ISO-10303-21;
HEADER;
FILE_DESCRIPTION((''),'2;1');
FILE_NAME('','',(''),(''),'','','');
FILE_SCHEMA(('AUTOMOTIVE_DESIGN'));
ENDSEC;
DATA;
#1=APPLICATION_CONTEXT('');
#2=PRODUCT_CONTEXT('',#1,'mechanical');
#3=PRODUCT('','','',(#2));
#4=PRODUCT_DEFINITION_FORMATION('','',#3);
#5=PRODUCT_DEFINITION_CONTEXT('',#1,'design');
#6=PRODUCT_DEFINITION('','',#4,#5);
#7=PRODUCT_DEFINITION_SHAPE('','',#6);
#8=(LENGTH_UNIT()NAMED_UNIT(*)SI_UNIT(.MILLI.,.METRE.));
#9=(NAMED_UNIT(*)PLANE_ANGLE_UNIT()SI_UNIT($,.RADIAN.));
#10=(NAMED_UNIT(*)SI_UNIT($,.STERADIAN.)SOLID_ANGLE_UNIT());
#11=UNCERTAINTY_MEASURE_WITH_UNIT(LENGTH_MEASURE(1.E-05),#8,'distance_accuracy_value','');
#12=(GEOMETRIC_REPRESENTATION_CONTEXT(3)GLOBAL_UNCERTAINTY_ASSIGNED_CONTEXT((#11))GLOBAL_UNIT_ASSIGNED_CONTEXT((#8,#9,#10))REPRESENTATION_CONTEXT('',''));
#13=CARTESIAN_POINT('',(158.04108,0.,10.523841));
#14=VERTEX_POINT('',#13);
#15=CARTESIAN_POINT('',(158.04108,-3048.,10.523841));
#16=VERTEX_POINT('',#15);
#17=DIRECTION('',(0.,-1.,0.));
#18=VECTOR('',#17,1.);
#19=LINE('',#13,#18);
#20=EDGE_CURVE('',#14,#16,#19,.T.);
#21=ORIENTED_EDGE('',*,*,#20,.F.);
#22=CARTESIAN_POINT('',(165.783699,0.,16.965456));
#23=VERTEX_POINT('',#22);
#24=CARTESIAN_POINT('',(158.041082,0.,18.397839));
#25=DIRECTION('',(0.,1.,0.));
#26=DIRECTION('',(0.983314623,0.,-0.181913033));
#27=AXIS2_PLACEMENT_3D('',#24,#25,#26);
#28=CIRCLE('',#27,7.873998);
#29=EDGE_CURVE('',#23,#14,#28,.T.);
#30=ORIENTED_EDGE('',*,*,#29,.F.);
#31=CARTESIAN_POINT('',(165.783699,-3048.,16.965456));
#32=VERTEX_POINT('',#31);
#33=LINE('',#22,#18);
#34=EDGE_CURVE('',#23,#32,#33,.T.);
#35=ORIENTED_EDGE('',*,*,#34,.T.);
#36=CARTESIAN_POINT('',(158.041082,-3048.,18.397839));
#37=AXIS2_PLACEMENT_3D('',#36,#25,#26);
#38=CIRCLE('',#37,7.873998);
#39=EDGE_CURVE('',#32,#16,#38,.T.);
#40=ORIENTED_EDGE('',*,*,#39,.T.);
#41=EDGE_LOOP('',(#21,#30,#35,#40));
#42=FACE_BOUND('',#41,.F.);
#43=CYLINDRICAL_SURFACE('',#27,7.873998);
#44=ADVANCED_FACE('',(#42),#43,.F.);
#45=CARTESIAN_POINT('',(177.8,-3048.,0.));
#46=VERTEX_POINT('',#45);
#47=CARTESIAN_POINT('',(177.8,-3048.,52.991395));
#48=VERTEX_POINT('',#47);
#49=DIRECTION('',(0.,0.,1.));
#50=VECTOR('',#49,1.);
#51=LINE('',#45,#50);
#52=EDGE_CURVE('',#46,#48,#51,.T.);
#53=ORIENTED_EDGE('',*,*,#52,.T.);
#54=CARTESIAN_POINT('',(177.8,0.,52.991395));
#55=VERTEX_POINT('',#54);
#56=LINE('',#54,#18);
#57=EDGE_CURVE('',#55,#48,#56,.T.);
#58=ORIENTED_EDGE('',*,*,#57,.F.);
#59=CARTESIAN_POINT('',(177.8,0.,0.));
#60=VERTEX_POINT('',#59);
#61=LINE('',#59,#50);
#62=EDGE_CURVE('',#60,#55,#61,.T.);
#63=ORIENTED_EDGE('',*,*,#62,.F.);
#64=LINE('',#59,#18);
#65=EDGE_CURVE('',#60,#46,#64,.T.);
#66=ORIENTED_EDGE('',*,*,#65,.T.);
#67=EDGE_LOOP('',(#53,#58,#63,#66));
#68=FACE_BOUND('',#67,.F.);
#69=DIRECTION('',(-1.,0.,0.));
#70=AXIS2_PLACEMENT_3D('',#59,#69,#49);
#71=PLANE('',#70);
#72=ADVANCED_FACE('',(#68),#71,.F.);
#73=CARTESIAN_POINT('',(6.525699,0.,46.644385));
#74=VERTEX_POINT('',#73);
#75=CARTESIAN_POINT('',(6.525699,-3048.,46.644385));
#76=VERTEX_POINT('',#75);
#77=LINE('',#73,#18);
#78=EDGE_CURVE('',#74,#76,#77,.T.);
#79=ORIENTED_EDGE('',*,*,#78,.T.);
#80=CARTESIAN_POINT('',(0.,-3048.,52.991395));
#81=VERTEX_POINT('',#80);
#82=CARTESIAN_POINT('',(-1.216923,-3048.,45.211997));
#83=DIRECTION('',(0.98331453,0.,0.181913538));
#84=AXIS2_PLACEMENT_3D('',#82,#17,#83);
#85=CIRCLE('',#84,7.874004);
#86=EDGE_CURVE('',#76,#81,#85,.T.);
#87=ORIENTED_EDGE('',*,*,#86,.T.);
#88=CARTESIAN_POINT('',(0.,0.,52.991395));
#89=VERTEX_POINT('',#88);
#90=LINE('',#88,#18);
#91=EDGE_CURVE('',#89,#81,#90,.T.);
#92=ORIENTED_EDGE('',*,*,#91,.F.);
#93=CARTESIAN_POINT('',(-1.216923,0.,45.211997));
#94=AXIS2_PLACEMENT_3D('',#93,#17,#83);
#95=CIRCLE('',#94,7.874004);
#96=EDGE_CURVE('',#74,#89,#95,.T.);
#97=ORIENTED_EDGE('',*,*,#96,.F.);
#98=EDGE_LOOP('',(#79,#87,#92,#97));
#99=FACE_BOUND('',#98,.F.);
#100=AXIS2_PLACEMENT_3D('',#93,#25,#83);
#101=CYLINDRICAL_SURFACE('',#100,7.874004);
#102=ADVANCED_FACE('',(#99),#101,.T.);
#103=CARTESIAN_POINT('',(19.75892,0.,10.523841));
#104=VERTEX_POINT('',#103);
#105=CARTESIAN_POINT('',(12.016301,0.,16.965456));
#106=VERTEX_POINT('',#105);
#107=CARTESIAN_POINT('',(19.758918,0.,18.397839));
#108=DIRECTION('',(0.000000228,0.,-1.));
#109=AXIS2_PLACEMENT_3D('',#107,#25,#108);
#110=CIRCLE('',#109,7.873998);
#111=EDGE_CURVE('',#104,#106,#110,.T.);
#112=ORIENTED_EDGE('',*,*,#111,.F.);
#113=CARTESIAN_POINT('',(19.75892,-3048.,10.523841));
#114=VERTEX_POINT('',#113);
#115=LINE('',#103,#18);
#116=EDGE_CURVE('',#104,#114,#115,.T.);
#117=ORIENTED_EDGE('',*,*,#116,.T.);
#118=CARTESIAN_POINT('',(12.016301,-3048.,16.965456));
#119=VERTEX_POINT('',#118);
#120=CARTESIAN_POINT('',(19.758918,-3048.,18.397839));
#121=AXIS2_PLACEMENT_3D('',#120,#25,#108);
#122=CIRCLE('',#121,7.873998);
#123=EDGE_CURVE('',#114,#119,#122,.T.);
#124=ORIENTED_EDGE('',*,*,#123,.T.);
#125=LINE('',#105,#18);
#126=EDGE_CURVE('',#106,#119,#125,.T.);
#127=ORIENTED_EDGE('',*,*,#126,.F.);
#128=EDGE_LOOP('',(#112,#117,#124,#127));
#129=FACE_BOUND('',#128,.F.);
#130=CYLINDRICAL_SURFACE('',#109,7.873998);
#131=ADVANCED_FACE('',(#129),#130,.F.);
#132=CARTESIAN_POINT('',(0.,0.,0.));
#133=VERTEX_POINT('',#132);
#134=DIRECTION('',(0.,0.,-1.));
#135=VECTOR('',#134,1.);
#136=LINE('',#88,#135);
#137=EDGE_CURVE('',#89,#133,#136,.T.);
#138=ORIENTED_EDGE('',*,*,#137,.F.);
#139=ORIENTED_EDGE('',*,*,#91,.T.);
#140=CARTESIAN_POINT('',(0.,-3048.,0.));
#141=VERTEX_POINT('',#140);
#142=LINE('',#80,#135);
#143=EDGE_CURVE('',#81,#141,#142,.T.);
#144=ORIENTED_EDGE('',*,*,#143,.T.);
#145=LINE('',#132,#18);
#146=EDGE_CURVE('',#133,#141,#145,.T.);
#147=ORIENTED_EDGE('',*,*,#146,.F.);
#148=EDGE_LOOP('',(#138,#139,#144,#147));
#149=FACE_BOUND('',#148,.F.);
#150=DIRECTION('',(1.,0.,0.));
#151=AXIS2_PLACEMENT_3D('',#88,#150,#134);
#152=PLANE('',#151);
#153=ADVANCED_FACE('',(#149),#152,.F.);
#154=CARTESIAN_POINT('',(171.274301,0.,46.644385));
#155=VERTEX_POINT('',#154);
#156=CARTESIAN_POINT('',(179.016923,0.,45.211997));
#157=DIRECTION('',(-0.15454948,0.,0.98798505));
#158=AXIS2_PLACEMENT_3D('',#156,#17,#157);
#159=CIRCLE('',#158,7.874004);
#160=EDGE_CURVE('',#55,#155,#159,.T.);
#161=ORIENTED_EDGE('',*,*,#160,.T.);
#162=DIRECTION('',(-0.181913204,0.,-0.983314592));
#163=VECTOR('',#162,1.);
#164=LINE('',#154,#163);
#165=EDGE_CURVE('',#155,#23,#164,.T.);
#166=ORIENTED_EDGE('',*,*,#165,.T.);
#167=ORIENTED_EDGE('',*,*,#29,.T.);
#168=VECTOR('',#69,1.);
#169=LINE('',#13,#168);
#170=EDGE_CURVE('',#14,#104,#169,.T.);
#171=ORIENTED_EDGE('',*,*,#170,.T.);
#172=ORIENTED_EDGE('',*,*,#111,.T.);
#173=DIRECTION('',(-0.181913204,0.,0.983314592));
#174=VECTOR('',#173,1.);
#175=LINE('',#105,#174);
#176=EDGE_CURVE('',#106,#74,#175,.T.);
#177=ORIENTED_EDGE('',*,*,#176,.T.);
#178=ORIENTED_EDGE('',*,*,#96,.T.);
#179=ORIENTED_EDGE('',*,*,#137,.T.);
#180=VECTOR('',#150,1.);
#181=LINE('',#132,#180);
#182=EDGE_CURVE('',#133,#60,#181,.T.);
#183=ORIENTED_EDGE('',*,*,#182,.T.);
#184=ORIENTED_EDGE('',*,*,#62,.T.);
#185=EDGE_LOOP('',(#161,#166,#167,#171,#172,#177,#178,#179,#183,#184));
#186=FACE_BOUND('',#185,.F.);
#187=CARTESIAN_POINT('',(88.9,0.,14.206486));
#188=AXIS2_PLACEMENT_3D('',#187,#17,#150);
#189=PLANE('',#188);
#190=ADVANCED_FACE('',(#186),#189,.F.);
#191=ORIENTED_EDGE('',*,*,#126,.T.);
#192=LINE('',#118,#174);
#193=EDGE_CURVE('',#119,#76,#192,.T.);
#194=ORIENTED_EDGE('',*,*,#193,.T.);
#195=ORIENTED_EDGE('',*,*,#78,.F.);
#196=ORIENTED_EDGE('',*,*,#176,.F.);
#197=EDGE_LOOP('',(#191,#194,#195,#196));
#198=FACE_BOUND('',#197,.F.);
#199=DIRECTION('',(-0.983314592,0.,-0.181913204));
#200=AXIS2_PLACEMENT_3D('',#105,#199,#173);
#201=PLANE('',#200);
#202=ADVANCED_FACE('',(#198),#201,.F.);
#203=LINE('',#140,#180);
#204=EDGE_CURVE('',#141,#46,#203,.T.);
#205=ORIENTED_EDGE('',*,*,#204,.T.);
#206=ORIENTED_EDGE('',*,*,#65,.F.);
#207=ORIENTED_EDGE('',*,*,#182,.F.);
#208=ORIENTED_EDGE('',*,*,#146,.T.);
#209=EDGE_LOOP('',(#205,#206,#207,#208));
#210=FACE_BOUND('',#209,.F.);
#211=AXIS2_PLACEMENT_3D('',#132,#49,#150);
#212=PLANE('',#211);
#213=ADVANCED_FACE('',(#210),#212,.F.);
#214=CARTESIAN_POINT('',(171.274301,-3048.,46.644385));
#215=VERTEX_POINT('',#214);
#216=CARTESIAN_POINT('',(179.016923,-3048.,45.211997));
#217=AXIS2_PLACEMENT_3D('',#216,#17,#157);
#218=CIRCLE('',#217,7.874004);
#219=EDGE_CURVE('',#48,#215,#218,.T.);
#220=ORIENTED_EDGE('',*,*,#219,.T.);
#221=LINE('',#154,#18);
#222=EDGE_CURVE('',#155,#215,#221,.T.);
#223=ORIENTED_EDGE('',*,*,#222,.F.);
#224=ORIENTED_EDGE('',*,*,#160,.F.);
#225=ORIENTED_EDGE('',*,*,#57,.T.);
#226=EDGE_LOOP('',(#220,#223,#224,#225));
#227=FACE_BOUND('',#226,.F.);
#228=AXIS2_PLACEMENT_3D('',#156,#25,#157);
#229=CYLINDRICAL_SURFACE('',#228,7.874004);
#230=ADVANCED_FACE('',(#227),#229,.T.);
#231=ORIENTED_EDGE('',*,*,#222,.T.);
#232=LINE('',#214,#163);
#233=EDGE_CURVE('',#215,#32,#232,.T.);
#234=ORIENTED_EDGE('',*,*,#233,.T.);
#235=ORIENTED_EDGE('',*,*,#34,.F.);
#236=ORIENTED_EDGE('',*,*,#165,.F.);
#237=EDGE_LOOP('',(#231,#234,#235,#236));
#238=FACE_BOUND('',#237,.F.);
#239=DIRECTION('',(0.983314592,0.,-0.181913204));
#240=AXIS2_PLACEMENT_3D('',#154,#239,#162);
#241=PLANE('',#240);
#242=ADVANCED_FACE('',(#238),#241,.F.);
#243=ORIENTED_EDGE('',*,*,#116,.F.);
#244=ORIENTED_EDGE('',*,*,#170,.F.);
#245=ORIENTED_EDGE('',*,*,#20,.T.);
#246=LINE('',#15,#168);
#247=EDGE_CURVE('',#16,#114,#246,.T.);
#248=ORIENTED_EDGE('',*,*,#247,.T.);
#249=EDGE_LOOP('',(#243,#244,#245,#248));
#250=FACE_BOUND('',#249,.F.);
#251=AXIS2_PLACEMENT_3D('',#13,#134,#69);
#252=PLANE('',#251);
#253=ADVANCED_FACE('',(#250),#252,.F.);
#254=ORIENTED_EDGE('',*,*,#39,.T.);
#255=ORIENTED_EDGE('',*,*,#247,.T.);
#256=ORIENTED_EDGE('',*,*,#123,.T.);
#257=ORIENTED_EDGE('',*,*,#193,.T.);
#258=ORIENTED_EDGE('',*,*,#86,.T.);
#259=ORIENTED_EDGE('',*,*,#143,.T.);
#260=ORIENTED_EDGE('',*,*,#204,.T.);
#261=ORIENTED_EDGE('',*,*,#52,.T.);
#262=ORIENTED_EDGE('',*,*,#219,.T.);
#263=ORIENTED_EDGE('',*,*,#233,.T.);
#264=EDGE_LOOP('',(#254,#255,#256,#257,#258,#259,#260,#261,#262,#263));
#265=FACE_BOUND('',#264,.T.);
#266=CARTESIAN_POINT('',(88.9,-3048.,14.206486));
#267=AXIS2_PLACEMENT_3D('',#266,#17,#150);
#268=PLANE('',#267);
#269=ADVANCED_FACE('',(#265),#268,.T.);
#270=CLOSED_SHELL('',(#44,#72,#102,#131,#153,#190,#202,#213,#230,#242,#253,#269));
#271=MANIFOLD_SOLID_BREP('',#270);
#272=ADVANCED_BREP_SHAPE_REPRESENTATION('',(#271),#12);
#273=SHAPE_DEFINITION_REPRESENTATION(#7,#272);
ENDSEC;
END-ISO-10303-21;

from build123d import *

# Parameters (mm, degrees)
F1_DEPTH = 3048


with BuildPart() as f1:
    # F0 (on Front) → F1 (new body)
    with BuildSketch(Plane.XZ):
        with BuildLine():
            Line((0, 52.991395), (0, 0))
            Line((0, 0), (177.8, 0))
            Line((177.8, 0), (177.8, 52.991395))
            ThreePointArc((177.8, 52.991395), (173.526978, 50.856502), (171.274301, 46.644385))
            Line((171.274301, 46.644385), (165.783699, 16.965456))
            ThreePointArc((165.783699, 16.965456), (163.077015, 12.344805), (158.04108, 10.523841))
            Line((158.04108, 10.523841), (19.75892, 10.523841))
            ThreePointArc((19.75892, 10.523841), (14.722985, 12.344805), (12.016301, 16.965456))
            Line((12.016301, 16.965456), (6.525699, 46.644385))
            ThreePointArc((6.525699, 46.644385), (4.273022, 50.856502), (0, 52.991395))
        make_face()
    extrude(amount=F1_DEPTH)


solid = f1.part
